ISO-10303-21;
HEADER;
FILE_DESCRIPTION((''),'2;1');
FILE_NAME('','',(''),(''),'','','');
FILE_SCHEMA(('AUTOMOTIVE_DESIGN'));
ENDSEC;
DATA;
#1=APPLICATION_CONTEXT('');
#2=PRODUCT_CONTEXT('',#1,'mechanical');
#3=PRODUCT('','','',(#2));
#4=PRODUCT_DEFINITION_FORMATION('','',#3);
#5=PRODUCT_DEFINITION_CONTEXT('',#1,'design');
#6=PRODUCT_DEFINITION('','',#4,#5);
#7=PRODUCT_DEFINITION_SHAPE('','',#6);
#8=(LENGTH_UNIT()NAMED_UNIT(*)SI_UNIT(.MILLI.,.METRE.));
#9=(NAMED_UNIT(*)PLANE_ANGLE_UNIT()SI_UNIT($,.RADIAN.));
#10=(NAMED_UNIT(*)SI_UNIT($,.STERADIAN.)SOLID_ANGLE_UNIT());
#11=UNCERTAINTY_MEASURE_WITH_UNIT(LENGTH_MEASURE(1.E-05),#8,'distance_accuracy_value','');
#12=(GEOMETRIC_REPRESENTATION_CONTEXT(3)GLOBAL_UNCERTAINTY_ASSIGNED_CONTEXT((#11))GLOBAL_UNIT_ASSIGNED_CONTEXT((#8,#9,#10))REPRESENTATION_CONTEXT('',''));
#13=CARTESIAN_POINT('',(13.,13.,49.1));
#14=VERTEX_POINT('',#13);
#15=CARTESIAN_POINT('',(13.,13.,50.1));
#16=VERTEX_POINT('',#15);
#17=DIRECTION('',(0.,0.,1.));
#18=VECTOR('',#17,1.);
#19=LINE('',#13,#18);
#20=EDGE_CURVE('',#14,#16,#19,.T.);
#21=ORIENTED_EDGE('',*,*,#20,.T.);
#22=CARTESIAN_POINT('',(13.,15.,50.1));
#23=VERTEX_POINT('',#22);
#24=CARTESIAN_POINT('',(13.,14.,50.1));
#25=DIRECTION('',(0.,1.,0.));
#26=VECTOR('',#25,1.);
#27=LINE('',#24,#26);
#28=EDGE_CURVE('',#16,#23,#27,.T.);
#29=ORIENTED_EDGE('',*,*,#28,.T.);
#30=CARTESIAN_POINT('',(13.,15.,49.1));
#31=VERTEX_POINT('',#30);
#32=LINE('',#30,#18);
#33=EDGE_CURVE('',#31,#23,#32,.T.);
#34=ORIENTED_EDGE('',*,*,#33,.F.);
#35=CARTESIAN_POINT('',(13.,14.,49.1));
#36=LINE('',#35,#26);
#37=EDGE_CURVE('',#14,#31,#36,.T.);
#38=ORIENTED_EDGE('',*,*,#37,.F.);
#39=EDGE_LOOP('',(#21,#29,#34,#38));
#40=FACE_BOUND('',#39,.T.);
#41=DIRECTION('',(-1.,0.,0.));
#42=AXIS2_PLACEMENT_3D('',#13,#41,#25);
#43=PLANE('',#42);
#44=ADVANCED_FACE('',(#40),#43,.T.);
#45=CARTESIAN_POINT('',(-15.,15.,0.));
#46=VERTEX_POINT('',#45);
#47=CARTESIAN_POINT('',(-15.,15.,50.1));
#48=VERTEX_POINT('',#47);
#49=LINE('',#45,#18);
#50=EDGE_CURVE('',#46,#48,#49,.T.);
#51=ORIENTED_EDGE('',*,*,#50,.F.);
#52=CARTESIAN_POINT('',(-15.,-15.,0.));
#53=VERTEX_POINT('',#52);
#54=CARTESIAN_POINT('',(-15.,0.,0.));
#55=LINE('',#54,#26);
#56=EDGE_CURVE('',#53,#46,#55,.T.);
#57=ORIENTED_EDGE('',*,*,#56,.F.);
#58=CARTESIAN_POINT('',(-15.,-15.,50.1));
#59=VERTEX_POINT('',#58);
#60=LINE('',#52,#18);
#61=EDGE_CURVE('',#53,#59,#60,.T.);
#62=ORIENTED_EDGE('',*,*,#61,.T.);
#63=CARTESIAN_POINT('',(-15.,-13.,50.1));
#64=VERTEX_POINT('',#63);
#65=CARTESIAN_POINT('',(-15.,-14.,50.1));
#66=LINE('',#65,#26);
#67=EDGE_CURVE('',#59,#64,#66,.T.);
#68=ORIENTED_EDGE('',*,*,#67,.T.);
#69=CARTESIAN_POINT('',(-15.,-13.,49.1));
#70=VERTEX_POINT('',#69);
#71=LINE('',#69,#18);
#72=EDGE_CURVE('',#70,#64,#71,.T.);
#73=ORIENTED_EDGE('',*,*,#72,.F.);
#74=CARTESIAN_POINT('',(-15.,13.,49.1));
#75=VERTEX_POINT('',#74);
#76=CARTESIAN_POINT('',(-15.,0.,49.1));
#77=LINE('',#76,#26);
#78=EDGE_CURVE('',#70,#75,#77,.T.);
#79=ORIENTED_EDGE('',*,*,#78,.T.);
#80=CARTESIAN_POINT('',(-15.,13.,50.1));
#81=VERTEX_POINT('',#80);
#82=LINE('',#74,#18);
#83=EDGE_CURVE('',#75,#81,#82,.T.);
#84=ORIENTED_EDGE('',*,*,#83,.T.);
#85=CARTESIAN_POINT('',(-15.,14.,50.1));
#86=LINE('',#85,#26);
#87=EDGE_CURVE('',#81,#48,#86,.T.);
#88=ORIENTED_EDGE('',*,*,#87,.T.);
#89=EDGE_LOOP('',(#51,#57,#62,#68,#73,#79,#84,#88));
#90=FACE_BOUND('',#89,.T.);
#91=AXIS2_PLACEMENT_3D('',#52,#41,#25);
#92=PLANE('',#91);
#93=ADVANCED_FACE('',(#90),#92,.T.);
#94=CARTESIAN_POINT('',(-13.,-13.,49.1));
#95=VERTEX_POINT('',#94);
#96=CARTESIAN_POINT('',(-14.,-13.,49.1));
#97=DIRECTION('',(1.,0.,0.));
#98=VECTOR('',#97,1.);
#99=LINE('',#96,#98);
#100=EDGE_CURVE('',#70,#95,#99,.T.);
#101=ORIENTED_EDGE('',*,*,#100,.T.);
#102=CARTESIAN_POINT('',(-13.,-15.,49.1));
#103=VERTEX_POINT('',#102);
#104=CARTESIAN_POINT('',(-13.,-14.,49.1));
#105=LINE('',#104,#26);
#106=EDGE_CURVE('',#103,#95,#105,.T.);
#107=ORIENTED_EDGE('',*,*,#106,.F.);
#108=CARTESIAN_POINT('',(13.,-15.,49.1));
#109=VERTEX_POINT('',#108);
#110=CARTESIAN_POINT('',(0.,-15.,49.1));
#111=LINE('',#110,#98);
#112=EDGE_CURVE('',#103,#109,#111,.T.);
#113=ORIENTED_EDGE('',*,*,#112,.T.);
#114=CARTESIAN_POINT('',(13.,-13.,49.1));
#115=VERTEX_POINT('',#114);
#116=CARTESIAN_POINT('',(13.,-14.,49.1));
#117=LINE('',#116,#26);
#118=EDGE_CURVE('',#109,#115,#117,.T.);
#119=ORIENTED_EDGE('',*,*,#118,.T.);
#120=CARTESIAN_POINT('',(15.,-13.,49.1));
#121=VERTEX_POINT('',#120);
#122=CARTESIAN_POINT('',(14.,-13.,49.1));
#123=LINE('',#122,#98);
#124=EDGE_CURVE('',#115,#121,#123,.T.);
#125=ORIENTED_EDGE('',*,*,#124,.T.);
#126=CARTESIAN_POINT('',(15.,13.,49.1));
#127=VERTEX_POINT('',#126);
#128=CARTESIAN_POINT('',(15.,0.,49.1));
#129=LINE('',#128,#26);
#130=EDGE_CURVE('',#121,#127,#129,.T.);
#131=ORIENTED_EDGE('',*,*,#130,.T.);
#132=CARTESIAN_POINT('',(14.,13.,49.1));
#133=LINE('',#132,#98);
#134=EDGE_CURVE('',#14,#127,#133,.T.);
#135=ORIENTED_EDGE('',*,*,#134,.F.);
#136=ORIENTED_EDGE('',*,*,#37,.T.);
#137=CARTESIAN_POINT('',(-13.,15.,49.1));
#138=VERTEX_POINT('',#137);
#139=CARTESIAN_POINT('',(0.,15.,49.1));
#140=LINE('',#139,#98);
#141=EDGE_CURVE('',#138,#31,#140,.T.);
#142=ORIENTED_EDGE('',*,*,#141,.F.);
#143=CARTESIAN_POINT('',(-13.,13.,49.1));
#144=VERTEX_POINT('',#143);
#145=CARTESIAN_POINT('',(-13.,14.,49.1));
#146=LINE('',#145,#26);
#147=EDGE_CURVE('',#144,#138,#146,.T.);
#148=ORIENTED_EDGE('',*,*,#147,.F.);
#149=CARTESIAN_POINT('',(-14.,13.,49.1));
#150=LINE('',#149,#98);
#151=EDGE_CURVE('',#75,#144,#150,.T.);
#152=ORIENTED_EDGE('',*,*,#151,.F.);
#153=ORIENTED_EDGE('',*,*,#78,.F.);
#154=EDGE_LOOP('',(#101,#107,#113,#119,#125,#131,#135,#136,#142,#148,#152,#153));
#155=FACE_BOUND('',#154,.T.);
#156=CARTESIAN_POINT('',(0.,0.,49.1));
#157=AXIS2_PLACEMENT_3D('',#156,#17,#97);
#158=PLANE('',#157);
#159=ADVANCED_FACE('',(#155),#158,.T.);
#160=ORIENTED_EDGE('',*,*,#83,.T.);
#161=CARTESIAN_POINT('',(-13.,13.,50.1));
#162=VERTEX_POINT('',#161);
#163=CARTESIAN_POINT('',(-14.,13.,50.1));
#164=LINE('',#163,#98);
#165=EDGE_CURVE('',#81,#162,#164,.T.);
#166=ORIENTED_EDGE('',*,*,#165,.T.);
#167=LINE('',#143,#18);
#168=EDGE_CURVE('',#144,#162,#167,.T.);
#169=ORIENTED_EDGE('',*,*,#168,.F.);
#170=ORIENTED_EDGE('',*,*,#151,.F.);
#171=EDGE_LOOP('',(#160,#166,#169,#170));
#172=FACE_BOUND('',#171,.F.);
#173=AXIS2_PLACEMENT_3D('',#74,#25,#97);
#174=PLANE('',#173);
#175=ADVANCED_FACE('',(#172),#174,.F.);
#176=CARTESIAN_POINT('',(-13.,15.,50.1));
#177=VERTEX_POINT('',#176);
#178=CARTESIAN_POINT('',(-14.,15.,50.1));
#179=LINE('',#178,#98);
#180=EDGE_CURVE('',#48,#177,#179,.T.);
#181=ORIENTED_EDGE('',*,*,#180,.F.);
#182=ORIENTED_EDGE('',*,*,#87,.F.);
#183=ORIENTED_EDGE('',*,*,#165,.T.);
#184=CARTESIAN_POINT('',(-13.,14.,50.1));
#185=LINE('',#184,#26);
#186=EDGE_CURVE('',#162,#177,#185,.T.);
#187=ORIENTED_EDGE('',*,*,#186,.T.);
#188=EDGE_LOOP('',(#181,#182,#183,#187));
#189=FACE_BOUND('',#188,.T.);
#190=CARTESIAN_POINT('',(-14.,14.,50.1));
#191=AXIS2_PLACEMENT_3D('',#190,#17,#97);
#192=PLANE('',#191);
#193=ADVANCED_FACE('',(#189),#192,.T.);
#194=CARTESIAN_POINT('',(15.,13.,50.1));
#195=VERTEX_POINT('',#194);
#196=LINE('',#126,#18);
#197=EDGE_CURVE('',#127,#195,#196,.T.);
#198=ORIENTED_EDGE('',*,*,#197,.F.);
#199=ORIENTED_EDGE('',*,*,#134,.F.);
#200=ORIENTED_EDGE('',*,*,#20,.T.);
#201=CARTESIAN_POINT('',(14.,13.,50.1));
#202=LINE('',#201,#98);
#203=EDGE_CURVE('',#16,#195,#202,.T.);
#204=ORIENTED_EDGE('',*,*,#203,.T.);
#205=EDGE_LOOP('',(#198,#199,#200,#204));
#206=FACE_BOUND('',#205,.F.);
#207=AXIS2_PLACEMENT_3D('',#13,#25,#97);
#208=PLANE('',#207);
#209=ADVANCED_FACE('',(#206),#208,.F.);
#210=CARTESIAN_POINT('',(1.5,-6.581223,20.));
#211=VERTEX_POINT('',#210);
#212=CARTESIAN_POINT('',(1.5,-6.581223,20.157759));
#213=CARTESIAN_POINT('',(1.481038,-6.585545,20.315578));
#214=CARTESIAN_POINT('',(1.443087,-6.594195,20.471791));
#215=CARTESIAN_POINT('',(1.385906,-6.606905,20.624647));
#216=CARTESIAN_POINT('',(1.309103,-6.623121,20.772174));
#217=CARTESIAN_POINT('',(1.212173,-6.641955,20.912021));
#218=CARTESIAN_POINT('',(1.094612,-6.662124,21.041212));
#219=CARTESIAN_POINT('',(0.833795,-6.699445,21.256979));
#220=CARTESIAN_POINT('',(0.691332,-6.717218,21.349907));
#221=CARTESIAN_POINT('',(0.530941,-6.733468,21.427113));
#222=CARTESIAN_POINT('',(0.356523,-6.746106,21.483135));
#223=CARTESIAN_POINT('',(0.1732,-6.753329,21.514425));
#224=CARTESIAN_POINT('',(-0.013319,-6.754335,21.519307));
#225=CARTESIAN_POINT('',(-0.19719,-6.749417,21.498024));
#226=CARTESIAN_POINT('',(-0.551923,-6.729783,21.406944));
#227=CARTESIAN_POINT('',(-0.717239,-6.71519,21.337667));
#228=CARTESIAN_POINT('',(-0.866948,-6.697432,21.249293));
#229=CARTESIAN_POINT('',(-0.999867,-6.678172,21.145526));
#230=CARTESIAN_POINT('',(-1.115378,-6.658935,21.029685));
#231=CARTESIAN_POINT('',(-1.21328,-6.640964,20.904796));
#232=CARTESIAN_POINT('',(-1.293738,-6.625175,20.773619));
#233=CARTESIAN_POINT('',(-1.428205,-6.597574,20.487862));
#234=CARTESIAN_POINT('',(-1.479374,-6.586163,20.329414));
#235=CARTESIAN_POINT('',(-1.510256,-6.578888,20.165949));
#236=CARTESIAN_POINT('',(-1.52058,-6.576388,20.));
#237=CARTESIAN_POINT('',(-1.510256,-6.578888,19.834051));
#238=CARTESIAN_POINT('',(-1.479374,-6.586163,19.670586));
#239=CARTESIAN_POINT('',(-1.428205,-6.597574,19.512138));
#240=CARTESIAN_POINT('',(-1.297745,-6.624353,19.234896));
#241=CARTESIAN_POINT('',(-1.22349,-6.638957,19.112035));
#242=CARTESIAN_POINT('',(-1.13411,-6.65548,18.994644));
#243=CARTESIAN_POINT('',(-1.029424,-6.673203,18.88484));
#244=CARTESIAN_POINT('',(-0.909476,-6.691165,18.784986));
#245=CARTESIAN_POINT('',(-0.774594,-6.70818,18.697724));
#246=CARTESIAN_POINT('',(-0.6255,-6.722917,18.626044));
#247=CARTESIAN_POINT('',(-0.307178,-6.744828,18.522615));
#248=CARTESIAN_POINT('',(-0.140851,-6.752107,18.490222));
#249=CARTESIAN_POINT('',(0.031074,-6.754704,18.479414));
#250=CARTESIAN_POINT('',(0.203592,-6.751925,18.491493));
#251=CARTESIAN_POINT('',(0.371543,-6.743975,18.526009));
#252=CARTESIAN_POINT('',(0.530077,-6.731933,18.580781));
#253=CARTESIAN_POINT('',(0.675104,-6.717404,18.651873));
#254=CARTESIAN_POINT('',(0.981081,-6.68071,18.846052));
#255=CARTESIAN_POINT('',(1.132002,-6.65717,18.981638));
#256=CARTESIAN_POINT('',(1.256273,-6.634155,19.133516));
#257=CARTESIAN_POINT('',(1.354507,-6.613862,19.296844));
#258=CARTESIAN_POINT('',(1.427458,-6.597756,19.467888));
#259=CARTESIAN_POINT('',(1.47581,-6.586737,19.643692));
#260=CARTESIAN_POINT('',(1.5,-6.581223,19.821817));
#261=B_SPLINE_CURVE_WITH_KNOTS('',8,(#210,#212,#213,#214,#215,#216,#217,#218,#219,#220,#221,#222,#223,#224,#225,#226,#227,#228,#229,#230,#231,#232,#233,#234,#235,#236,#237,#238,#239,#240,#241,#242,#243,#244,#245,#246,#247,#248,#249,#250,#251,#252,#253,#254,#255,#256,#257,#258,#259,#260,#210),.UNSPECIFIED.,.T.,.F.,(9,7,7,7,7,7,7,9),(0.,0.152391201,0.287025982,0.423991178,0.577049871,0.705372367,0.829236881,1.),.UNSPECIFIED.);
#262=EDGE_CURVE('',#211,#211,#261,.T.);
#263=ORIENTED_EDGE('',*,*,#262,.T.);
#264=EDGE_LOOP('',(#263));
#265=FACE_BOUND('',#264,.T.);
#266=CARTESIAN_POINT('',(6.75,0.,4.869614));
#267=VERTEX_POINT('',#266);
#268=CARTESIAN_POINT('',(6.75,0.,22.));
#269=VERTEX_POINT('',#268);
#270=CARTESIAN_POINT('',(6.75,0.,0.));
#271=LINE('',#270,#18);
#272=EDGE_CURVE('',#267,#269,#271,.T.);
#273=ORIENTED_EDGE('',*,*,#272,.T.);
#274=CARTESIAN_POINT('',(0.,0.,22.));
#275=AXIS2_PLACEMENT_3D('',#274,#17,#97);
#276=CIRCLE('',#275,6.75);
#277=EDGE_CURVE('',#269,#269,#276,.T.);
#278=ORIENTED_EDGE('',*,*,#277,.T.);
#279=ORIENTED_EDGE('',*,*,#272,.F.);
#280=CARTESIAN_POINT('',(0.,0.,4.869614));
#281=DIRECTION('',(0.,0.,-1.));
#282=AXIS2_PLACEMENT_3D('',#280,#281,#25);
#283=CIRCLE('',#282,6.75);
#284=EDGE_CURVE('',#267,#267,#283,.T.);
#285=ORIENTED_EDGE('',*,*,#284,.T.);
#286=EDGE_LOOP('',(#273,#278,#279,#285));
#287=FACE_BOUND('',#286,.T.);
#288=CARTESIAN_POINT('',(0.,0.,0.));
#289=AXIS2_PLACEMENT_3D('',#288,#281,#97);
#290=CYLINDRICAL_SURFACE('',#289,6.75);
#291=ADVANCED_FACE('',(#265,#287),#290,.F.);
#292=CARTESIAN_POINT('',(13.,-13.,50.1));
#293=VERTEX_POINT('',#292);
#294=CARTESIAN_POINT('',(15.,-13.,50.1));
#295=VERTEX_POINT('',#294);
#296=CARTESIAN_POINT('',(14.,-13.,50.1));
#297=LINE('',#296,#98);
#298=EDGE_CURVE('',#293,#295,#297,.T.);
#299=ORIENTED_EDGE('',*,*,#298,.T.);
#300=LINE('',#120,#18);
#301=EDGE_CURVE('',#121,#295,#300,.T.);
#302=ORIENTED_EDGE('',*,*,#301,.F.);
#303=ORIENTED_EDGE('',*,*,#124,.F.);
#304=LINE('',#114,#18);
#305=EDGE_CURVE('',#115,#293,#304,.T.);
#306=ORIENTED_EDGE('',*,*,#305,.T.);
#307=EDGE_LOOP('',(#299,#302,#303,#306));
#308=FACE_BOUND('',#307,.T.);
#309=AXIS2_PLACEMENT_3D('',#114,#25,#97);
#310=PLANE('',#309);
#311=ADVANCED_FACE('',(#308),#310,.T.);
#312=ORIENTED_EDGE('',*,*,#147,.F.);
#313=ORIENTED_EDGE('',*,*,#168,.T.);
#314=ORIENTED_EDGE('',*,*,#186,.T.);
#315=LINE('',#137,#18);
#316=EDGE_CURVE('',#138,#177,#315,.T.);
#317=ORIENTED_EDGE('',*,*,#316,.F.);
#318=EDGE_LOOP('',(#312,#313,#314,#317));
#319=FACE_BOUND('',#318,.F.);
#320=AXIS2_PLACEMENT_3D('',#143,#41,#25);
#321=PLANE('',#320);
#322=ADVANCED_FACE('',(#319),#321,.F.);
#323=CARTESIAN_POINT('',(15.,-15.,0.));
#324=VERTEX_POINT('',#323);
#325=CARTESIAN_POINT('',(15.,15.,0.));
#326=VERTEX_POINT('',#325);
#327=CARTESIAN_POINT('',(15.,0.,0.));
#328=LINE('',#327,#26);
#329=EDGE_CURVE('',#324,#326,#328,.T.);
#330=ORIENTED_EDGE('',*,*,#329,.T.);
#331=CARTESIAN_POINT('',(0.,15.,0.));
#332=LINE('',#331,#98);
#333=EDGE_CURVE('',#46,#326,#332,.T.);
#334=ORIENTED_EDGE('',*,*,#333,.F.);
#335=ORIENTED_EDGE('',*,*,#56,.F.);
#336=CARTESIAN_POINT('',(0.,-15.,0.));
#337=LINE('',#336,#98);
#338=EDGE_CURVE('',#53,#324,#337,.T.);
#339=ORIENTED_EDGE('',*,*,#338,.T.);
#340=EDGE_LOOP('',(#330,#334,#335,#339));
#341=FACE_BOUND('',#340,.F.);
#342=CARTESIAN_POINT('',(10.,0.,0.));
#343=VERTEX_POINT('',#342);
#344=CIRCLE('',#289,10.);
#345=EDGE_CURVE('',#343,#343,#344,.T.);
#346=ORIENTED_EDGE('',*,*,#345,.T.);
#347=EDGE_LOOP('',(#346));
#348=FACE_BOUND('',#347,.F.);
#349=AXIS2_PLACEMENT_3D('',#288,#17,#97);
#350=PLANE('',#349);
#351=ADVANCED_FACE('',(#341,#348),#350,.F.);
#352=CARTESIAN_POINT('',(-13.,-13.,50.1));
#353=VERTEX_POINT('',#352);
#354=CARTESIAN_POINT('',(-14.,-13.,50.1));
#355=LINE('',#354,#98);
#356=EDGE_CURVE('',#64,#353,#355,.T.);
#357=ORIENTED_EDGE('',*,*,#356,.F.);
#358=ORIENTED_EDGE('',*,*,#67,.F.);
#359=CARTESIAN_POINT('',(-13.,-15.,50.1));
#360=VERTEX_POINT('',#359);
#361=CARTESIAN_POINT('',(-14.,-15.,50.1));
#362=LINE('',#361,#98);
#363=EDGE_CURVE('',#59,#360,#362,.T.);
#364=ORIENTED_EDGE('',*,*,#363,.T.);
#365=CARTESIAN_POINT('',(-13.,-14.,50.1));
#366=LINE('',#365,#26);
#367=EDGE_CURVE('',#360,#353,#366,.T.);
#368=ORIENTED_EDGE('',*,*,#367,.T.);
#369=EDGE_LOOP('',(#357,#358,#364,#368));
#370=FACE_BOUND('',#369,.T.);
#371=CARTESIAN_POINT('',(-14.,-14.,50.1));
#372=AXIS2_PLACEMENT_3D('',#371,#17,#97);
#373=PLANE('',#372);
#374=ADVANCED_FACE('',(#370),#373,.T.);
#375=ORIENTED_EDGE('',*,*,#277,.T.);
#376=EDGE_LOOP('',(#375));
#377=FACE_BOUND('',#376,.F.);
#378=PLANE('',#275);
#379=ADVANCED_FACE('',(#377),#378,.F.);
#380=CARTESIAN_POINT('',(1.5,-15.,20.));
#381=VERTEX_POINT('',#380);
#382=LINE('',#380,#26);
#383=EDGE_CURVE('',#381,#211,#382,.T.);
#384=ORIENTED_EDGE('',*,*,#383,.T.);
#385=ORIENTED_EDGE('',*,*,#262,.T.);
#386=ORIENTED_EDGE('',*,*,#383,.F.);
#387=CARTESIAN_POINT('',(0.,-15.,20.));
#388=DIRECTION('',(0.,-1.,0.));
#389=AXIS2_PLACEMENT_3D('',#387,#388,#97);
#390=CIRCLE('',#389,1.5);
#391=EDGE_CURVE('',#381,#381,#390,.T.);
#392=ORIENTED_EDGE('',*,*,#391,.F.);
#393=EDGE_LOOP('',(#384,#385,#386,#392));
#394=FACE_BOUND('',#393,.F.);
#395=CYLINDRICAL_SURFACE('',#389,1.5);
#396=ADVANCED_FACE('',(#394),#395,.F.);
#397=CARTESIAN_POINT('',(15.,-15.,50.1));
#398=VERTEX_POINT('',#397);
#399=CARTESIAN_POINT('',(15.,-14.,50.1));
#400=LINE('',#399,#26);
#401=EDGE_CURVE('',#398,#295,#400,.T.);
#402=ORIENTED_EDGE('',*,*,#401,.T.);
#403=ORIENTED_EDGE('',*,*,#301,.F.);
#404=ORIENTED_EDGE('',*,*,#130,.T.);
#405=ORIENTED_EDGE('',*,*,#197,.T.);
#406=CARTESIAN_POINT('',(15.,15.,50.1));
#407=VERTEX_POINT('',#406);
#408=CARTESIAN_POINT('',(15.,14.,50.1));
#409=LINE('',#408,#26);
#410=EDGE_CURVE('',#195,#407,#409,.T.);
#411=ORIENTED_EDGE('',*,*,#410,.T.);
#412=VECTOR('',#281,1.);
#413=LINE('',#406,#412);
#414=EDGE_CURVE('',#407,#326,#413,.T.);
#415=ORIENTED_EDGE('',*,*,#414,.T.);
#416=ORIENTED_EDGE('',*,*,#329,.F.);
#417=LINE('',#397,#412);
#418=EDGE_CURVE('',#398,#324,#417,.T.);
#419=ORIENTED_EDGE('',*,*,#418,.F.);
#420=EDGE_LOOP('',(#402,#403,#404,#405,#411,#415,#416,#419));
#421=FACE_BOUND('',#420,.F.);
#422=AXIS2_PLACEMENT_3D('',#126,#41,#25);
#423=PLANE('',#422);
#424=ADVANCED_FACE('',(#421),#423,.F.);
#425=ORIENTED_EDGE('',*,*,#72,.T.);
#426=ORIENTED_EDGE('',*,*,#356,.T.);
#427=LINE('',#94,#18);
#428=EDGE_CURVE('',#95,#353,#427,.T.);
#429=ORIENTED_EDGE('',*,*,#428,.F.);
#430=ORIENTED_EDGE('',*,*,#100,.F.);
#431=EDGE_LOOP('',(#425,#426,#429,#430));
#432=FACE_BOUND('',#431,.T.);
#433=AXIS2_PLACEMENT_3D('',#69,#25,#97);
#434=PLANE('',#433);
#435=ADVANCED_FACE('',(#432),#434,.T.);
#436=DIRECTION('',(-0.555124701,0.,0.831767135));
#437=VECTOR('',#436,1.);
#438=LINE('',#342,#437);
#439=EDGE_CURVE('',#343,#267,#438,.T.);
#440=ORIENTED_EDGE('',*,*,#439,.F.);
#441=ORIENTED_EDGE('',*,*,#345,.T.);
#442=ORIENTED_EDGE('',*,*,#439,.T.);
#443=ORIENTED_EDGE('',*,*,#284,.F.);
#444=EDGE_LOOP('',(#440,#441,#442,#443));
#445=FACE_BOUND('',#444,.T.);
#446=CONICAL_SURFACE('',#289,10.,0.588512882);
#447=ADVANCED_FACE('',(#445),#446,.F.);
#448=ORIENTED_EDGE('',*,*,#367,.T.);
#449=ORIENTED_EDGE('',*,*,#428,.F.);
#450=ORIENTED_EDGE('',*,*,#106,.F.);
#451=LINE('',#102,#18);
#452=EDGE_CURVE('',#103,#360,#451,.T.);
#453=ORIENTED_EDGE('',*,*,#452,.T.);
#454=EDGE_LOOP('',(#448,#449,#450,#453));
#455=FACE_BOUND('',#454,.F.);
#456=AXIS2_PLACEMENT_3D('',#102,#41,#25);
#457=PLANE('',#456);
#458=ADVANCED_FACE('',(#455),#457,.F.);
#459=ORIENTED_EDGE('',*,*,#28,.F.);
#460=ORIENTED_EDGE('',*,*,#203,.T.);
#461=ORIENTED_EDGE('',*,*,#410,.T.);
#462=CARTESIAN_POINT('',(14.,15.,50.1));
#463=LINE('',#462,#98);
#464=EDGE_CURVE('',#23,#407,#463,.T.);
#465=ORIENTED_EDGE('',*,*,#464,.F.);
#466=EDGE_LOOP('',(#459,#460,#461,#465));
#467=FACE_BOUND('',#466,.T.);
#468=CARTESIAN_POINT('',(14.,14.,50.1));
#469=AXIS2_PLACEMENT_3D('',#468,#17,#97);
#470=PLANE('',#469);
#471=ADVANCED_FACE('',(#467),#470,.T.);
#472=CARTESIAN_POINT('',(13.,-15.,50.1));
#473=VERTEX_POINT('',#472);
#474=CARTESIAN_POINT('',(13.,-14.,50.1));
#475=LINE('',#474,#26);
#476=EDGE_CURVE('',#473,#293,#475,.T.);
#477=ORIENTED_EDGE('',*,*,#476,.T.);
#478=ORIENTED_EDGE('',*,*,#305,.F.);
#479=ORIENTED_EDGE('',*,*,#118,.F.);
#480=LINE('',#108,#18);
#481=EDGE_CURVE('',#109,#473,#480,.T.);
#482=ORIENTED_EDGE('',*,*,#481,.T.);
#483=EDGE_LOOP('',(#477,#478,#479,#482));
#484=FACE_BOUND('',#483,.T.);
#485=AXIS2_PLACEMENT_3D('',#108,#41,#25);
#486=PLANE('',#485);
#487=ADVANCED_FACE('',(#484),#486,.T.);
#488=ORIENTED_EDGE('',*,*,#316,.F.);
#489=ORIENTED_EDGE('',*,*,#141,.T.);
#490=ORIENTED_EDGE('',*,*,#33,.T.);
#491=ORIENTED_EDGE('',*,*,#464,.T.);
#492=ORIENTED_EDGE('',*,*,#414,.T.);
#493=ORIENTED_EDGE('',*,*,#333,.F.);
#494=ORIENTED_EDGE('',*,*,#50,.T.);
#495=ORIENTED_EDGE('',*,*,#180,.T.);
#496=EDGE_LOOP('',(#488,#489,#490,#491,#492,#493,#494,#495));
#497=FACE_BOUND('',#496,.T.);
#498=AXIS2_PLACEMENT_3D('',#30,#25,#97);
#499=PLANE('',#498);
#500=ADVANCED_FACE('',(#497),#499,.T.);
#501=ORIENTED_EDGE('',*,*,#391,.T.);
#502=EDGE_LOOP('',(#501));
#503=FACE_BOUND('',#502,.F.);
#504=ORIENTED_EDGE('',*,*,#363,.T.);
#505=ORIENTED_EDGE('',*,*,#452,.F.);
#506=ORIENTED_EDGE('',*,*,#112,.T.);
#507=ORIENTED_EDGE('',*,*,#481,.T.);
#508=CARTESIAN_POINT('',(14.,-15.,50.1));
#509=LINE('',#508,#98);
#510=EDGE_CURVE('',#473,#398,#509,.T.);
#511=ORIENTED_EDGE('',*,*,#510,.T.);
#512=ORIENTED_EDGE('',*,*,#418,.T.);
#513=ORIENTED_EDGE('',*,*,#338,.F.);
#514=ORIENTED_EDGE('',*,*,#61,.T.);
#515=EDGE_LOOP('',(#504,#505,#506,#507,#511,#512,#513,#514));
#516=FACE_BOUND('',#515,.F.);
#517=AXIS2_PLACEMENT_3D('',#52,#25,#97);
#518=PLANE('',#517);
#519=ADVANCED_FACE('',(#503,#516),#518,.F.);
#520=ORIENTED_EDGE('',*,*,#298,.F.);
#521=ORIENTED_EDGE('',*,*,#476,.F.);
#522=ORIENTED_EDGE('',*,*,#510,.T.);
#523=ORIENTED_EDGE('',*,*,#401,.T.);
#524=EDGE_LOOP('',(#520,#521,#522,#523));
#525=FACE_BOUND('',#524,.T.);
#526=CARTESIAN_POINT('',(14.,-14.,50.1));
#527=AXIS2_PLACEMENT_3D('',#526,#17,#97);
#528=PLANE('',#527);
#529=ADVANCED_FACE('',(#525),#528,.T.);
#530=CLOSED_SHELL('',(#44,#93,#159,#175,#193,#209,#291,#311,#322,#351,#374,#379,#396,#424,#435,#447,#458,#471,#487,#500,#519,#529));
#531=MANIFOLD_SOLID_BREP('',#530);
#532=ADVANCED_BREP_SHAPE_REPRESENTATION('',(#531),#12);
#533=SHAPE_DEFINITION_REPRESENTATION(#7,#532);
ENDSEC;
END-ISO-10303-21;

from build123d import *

# Parameters (mm, degrees)
F0_W     = 30
F0_H     = 30
F1_DEPTH = 49.1
F2_R     = 6.75
F3_DEPTH = 22
F4_W     = 2
F4_H     = 2
F5_DEPTH = 1
F8_R     = 1.5
F9_DEPTH = 8.4197768095


with BuildPart() as f1:
    # F0 (on Top) → F1 (new body)
    with BuildSketch(Plane.XY):
        Rectangle(F0_W, F0_H)
    extrude(amount=F1_DEPTH)

    # F2 (on Top) → F3 (cut)
    with BuildSketch(Plane.XY):
        Circle(F2_R)
    extrude(amount=F3_DEPTH, mode=Mode.SUBTRACT)

    # F4 (on face) → F5 (join)
    with BuildSketch(Plane.XY.offset(49.1)):
        with Locations((14, 14)):
            Rectangle(F4_W, F4_H)
        with Locations((14, -14)):
            Rectangle(F4_W, F4_H)
        with Locations((-14, -14)):
            Rectangle(F4_W, F4_H)
        with Locations((-14, 14)):
            Rectangle(F4_W, F4_H)
    extrude(amount=F5_DEPTH)

    # F6 (on Front) → F7 (revolve, cut)
    with BuildSketch(Plane.XZ):
        Polygon((0, 14.9834286422), (0, 0), (10, 0), align=None)
    revolve(axis=Axis((0, 0, 7.4917143211), (0, 0, -1)), mode=Mode.SUBTRACT)

    # F8 (on face) → F9 (cut, through all)
    with BuildSketch(Plane.XZ.offset(15)):
        with Locations((0, 20)):
            Circle(F8_R)
    extrude(amount=-F9_DEPTH, mode=Mode.SUBTRACT)


solid = f1.part
